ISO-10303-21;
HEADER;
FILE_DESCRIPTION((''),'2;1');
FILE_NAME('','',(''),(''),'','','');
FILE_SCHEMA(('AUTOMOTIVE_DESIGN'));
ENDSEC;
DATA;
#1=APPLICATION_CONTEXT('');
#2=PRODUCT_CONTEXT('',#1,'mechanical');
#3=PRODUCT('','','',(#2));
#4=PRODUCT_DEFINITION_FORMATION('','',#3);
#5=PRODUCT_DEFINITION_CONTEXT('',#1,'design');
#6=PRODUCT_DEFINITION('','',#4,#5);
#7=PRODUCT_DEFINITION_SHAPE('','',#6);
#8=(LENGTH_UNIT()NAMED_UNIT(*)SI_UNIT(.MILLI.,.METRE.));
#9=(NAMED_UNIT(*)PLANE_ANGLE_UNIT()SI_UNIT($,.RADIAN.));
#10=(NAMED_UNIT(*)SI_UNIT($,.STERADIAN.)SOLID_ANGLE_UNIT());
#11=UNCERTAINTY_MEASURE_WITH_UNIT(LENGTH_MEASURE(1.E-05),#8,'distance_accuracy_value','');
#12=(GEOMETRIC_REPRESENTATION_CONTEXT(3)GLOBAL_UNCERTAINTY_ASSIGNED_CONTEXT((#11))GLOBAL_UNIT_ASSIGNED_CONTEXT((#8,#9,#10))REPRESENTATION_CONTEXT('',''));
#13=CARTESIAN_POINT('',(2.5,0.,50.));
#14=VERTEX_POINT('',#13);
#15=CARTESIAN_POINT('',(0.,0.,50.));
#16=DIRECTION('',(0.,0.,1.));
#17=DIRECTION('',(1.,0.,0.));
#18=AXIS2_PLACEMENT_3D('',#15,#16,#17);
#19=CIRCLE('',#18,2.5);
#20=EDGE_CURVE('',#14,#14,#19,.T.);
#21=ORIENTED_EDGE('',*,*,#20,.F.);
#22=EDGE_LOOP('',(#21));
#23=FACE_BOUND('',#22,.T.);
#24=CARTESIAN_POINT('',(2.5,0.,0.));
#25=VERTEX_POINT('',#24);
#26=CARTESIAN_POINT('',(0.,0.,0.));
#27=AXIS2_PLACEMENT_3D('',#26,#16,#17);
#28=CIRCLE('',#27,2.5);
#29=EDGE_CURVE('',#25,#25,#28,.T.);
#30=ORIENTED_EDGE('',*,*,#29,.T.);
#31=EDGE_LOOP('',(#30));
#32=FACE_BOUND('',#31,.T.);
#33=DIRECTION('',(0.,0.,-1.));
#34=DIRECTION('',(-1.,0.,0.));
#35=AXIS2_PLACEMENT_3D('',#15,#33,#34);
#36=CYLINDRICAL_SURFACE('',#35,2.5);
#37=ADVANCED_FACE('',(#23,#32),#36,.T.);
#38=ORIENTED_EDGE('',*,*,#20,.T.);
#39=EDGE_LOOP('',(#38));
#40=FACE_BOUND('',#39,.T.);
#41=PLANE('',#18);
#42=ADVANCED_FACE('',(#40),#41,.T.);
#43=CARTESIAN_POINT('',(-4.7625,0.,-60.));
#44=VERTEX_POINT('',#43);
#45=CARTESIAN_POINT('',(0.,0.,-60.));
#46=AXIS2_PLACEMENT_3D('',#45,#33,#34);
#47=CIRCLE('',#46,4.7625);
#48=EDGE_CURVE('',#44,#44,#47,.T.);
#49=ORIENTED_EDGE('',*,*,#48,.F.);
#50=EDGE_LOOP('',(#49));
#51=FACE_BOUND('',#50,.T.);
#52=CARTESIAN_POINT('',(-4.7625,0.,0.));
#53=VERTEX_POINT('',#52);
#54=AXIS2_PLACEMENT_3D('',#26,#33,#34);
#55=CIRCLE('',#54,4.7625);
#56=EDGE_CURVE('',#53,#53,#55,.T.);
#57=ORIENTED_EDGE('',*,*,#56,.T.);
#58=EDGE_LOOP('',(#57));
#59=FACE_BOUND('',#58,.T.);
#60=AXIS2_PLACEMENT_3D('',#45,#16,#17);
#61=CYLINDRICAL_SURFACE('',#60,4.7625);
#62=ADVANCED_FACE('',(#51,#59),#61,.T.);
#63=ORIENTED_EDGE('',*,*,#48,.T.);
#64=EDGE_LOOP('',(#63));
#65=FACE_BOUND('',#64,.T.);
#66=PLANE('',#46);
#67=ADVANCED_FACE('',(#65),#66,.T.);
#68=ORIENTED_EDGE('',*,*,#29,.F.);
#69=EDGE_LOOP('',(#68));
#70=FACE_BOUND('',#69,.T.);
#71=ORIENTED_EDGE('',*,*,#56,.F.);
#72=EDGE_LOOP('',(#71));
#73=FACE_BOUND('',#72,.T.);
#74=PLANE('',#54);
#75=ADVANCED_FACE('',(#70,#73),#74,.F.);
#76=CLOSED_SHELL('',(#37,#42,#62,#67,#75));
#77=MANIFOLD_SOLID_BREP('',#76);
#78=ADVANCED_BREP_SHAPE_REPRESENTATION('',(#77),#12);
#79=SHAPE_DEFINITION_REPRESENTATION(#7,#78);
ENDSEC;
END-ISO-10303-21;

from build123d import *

# Parameters (mm, degrees)
SKETCH2_R           = 2.5
BOSS_EXTRUDE1_DEPTH = 50
SKETCH3_R           = 4.7625
BOSS_EXTRUDE2_DEPTH = 60


with BuildPart() as part:
    # Sketch2 → Boss-Extrude1 (new body)
    with BuildSketch(Plane.XY):
        Circle(SKETCH2_R)
    extrude(amount=BOSS_EXTRUDE1_DEPTH)

    # Sketch3 → Boss-Extrude2 (add)
    with BuildSketch(Plane(origin=(0, 0, 0), x_dir=(-1, 0, 0), z_dir=(0, 0, -1))):
        Circle(SKETCH3_R)
    extrude(amount=BOSS_EXTRUDE2_DEPTH)


solid = part.part
